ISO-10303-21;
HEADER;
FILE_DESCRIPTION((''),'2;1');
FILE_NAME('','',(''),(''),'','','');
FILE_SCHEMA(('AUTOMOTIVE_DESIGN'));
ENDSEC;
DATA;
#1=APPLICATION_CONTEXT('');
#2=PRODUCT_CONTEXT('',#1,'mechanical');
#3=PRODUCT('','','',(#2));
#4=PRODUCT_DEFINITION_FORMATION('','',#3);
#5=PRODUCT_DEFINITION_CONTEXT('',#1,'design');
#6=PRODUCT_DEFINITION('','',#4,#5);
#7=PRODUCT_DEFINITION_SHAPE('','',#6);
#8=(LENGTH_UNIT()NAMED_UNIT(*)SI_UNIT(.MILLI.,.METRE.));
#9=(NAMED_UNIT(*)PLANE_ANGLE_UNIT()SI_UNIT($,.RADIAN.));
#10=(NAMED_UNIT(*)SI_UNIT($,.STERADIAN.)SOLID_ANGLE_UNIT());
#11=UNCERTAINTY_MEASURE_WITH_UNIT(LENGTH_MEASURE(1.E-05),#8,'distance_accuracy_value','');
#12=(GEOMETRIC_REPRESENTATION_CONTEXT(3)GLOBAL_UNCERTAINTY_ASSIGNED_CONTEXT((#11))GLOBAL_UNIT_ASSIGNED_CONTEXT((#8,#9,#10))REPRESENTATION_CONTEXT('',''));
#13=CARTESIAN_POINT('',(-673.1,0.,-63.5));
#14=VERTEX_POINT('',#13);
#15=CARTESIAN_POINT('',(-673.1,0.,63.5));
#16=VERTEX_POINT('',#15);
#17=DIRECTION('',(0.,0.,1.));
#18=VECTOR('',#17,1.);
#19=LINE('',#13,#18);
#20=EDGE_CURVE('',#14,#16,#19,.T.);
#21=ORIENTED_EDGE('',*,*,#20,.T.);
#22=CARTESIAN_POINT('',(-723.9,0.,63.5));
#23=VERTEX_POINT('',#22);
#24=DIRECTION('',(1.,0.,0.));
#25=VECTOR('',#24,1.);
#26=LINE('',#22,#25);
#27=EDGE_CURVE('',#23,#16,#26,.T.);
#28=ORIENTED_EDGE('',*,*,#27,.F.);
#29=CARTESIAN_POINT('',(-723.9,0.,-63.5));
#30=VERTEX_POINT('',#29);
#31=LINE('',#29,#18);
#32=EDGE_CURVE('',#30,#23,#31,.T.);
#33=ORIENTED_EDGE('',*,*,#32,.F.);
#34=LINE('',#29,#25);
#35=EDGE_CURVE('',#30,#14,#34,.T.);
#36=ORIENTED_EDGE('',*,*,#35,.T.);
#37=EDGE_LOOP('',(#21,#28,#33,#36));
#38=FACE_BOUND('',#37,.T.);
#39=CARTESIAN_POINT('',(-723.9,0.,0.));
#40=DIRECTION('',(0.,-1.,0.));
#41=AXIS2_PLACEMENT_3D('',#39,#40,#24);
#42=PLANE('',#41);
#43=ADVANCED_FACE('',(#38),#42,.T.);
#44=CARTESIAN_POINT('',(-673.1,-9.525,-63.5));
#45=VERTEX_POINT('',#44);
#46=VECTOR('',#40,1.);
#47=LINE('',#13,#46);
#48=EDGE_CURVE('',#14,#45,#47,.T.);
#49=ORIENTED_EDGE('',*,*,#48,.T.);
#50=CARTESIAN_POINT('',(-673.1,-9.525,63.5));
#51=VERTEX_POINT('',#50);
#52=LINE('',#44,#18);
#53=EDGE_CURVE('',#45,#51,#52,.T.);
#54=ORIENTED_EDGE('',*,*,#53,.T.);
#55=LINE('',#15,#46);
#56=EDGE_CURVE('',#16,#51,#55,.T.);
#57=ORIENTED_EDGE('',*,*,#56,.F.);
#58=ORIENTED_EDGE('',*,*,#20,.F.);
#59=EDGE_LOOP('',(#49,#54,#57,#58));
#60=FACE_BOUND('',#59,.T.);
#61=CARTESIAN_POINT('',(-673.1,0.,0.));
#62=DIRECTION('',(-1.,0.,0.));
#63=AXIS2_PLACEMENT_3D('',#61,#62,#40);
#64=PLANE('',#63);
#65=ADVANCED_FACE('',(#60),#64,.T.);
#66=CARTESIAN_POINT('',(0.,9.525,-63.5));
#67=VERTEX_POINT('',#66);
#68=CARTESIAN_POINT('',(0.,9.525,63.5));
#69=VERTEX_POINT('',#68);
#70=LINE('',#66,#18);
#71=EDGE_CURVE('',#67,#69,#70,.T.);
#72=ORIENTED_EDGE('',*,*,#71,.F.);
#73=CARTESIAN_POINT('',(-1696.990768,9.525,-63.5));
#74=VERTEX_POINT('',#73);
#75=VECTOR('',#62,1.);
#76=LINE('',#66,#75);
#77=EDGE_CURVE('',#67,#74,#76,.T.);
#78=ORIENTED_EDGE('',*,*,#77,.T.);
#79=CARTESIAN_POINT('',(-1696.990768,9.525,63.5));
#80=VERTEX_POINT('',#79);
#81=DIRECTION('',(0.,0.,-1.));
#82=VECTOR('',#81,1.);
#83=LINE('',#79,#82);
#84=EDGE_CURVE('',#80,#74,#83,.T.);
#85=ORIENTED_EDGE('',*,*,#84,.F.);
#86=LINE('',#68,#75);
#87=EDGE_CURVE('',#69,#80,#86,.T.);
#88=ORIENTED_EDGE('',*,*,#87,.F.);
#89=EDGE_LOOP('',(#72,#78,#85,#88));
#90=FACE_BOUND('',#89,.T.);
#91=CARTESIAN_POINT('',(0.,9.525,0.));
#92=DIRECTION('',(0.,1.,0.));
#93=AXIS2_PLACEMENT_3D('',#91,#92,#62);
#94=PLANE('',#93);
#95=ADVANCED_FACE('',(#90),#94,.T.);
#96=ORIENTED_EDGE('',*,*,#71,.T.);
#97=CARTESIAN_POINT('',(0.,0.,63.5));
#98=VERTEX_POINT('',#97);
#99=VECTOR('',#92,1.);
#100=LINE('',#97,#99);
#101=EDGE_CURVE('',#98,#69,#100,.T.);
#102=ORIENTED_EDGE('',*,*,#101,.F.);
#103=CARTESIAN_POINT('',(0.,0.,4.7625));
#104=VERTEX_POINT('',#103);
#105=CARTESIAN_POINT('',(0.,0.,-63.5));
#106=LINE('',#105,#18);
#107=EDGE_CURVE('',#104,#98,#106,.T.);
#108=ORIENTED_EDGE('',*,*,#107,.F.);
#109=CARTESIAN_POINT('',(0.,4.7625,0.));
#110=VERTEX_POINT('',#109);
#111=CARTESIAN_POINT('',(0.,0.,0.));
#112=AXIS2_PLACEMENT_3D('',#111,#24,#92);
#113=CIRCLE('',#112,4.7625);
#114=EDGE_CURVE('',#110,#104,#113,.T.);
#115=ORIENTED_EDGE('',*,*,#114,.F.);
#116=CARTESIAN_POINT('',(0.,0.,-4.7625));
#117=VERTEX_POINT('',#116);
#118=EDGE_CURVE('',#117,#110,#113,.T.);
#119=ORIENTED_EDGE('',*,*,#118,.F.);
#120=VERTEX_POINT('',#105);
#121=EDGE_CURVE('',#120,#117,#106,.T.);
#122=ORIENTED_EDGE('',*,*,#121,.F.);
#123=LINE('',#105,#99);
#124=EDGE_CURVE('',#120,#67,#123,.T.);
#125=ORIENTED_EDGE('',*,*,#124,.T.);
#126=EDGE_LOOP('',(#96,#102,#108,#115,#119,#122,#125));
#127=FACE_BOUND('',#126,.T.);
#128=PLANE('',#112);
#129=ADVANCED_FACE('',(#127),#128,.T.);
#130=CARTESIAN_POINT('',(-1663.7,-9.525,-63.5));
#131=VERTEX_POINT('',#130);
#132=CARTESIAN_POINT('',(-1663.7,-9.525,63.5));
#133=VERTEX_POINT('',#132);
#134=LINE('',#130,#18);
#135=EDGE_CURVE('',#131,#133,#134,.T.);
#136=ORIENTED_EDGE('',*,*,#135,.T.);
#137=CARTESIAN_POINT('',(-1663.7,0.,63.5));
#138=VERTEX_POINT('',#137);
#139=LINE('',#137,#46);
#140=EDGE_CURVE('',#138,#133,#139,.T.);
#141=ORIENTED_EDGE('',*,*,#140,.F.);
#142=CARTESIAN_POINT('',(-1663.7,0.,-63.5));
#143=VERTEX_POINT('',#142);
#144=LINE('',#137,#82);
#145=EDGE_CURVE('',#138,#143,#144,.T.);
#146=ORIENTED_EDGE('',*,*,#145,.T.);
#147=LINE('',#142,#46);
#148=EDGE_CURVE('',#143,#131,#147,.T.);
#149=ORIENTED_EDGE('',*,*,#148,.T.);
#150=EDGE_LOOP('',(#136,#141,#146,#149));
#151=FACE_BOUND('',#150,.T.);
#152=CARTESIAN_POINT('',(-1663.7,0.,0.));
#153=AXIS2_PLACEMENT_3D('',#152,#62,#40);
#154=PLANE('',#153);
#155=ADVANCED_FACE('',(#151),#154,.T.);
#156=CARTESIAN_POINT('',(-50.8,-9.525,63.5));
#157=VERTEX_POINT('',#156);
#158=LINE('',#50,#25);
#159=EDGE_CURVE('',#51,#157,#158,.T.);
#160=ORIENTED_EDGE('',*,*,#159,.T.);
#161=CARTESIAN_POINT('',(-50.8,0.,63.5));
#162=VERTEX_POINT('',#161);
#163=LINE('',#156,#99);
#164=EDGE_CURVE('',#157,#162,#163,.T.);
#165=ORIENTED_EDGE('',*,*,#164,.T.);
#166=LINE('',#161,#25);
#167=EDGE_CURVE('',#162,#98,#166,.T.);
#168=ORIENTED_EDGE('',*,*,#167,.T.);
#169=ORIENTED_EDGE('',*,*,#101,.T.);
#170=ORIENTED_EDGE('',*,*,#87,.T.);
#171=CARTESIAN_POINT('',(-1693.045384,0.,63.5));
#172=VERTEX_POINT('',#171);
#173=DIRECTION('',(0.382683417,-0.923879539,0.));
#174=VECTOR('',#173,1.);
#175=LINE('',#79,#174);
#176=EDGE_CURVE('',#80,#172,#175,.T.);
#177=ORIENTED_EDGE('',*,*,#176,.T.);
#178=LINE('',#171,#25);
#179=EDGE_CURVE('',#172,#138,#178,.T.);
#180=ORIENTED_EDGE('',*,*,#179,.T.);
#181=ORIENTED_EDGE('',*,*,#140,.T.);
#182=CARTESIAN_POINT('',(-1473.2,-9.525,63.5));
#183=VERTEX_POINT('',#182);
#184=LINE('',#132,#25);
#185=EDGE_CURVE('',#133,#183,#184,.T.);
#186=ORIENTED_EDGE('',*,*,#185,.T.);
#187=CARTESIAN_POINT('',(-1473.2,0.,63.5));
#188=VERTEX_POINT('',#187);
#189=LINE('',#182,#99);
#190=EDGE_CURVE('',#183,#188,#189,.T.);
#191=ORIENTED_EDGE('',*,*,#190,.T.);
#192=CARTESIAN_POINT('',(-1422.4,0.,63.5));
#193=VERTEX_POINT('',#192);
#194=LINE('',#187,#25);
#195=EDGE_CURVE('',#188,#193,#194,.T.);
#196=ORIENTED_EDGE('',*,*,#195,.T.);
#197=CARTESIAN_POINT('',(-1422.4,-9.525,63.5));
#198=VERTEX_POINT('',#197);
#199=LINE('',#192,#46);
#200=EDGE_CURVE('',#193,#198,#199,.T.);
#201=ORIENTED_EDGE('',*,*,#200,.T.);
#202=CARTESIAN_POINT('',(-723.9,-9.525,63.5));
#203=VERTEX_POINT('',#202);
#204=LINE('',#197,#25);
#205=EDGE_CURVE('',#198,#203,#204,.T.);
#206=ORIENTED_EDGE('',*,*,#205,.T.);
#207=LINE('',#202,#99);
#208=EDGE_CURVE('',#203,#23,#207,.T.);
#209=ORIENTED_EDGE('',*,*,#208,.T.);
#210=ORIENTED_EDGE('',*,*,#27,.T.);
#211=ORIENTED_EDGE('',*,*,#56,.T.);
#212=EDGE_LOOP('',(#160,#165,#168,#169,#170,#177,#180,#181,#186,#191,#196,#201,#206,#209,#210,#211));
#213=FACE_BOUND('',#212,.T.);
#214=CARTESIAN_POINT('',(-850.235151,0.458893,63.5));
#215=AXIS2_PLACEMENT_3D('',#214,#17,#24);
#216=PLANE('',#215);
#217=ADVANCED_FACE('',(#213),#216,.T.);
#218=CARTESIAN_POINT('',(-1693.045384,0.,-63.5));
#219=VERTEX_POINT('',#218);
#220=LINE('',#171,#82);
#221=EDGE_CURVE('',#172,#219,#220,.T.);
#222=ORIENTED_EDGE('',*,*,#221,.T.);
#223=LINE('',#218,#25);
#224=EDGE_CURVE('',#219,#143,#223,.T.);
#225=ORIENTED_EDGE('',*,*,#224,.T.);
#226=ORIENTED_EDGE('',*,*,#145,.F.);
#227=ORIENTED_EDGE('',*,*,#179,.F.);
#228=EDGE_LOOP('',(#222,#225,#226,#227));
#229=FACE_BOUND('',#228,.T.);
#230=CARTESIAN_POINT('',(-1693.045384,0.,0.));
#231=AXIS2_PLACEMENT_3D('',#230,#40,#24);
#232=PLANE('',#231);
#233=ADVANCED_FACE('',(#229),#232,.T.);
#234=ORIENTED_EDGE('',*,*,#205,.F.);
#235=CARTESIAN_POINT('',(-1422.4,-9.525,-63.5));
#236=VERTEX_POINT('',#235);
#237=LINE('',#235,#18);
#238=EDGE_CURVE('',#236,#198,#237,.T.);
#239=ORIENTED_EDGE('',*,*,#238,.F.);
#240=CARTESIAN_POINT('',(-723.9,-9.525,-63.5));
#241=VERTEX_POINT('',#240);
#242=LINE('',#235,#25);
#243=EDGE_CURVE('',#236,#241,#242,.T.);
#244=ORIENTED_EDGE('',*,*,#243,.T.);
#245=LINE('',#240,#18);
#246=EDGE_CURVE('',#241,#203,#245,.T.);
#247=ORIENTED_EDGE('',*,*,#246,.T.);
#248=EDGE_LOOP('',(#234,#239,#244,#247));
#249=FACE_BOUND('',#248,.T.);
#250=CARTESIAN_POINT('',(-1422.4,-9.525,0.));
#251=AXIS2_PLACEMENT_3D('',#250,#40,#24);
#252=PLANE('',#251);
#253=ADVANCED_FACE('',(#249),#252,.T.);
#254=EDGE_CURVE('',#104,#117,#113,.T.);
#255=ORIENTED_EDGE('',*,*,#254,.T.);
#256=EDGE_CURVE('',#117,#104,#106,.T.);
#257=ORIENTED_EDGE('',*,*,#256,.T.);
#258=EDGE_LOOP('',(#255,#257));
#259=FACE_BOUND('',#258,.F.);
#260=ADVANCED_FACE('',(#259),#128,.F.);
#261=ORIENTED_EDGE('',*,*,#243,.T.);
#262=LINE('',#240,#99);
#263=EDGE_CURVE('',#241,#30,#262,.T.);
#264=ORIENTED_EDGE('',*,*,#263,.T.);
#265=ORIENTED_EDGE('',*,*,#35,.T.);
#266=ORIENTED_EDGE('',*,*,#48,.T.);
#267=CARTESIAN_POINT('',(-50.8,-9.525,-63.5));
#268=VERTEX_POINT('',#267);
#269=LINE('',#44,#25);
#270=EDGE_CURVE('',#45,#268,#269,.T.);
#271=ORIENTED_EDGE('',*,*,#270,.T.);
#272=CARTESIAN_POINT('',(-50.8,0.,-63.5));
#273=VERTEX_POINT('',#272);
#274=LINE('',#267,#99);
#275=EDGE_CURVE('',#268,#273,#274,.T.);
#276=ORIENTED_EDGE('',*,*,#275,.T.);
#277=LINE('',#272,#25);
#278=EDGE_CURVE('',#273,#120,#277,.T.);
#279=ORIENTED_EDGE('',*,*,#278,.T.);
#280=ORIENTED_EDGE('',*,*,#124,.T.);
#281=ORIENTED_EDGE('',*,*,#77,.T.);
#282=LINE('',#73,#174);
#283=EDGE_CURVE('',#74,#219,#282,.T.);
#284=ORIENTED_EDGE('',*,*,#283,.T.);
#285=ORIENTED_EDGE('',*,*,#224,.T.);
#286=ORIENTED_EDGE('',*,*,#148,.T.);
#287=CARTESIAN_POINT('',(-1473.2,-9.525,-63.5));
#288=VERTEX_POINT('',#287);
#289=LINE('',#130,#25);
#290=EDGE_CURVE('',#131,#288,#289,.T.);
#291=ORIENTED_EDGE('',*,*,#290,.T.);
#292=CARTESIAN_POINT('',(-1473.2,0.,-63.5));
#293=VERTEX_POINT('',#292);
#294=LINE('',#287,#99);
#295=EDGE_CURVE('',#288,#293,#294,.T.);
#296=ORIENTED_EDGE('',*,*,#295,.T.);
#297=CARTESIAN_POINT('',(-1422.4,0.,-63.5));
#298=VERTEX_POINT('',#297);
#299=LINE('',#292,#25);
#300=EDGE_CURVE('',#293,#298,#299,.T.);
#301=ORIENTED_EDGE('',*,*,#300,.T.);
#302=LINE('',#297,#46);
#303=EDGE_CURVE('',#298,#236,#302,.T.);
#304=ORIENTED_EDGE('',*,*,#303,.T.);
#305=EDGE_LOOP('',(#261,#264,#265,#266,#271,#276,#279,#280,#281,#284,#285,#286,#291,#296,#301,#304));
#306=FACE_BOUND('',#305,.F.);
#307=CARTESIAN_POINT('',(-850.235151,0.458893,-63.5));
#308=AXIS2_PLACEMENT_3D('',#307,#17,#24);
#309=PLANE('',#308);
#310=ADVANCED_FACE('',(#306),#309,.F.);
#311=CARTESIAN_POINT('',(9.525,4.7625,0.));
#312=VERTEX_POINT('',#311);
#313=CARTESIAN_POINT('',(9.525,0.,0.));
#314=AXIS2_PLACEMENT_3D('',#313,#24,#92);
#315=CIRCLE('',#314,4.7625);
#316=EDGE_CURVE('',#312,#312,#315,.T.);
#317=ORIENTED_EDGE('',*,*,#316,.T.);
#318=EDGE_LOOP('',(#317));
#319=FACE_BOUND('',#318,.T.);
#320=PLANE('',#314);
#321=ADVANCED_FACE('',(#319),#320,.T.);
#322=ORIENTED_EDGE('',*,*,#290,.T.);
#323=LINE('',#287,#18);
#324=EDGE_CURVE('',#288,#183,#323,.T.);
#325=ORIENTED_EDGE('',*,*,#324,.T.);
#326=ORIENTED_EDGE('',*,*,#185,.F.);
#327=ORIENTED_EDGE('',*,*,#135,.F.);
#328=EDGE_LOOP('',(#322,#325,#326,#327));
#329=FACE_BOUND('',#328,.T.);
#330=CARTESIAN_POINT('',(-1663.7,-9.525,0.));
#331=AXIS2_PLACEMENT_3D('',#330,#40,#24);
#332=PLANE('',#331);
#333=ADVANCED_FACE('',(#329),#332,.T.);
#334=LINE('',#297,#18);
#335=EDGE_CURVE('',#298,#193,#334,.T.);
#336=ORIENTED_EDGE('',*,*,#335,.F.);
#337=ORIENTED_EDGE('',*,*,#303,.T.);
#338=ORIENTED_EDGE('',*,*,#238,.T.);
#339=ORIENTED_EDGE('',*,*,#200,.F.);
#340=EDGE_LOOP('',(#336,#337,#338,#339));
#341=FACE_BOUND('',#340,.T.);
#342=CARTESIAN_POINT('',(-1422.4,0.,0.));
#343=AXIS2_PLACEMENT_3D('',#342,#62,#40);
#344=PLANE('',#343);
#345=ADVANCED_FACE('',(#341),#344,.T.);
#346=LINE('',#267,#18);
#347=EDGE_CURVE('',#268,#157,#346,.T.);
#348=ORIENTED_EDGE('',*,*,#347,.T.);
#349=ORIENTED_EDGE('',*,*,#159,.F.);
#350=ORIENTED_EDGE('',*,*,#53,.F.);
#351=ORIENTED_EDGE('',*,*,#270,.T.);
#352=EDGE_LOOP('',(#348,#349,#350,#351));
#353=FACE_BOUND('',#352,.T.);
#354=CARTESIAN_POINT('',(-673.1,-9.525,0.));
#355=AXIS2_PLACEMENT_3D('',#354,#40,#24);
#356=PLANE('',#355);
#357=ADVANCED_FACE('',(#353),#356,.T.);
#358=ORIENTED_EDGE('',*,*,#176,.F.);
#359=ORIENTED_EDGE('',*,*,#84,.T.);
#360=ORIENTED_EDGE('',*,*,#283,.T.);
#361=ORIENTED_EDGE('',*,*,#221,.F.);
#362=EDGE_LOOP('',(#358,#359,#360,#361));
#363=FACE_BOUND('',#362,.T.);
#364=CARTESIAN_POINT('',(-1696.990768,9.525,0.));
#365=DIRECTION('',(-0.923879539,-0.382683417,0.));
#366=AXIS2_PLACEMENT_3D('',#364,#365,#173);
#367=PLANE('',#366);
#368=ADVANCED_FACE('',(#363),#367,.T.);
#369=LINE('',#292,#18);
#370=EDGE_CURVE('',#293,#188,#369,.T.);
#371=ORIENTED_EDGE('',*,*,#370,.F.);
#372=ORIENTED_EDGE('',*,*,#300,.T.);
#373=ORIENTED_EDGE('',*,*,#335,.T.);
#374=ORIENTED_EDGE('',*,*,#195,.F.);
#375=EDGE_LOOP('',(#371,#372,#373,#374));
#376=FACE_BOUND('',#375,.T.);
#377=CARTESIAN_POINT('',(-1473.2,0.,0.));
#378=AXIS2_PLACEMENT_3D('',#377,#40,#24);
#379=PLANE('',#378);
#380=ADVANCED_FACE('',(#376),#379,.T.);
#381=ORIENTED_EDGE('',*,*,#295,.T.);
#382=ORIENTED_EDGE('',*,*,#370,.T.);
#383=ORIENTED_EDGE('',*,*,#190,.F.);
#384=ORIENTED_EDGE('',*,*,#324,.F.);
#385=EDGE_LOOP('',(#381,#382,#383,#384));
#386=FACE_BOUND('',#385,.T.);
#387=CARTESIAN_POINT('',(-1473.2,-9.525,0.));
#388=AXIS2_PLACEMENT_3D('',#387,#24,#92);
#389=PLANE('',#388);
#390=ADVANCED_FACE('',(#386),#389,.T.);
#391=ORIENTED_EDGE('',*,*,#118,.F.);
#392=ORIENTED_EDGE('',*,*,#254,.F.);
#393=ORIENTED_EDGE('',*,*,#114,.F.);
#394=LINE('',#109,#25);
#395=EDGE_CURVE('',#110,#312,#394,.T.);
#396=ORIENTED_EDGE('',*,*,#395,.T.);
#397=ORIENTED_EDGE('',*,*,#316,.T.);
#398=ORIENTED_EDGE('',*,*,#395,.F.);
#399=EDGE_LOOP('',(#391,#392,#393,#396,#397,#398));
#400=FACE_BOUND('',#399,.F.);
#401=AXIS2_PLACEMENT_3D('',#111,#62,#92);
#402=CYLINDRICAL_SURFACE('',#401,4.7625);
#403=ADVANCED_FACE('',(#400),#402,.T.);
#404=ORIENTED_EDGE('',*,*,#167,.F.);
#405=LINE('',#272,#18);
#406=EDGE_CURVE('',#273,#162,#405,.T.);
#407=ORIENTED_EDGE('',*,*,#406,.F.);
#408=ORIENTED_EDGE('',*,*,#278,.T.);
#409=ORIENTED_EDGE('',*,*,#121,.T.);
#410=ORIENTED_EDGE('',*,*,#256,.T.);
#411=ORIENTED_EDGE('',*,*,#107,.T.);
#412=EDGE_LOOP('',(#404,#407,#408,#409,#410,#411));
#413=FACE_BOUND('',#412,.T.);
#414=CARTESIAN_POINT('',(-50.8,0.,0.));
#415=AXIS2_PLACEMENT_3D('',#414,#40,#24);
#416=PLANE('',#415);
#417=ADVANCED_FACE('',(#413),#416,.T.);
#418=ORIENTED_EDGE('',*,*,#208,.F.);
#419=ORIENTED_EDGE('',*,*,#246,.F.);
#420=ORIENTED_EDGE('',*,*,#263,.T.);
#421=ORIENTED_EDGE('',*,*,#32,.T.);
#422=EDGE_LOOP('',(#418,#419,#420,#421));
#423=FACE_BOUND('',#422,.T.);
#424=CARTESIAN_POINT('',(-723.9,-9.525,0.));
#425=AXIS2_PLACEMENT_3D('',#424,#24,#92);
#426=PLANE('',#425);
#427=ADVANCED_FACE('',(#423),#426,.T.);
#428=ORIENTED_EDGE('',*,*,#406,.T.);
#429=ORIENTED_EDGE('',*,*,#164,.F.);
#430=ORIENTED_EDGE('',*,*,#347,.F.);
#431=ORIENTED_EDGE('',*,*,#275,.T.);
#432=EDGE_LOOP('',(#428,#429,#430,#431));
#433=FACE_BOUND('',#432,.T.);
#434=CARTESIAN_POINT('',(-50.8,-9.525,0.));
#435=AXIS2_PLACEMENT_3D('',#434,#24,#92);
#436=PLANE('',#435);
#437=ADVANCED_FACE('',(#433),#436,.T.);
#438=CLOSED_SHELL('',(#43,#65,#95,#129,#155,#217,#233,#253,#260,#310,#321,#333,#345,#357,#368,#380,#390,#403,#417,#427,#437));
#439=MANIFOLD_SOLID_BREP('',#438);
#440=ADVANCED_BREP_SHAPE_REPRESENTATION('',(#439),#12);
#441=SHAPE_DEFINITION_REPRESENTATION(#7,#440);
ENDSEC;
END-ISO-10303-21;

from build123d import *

# Parameters (mm, degrees)
F1_DEPTH = 63.5
F2_R     = 4.7625
F3_DEPTH = 9.525


with BuildPart() as f1:
    # F0 (on Top) → F1 (new body, symmetric)
    with BuildSketch(Plane.XY):
        Polygon((-1663.7, 0), (-1663.7, -9.525), (-1473.2, -9.525), (-1473.2, 0), (-1422.4, 0), (-1422.4, -9.525), (-723.9, -9.525), (-723.9, 0), (-673.1, 0), (-673.1, -9.525), (-50.8, -9.525), (-50.8, 0), (0, 0), (0, 9.525), (-1696.990768, 9.525), (-1693.045384, 0), align=None)
    extrude(amount=F1_DEPTH, both=True)

    # F2 (on Right) → F3 (join)
    with BuildSketch(Plane.YZ):
        Circle(F2_R)
    extrude(amount=F3_DEPTH)


solid = f1.part
